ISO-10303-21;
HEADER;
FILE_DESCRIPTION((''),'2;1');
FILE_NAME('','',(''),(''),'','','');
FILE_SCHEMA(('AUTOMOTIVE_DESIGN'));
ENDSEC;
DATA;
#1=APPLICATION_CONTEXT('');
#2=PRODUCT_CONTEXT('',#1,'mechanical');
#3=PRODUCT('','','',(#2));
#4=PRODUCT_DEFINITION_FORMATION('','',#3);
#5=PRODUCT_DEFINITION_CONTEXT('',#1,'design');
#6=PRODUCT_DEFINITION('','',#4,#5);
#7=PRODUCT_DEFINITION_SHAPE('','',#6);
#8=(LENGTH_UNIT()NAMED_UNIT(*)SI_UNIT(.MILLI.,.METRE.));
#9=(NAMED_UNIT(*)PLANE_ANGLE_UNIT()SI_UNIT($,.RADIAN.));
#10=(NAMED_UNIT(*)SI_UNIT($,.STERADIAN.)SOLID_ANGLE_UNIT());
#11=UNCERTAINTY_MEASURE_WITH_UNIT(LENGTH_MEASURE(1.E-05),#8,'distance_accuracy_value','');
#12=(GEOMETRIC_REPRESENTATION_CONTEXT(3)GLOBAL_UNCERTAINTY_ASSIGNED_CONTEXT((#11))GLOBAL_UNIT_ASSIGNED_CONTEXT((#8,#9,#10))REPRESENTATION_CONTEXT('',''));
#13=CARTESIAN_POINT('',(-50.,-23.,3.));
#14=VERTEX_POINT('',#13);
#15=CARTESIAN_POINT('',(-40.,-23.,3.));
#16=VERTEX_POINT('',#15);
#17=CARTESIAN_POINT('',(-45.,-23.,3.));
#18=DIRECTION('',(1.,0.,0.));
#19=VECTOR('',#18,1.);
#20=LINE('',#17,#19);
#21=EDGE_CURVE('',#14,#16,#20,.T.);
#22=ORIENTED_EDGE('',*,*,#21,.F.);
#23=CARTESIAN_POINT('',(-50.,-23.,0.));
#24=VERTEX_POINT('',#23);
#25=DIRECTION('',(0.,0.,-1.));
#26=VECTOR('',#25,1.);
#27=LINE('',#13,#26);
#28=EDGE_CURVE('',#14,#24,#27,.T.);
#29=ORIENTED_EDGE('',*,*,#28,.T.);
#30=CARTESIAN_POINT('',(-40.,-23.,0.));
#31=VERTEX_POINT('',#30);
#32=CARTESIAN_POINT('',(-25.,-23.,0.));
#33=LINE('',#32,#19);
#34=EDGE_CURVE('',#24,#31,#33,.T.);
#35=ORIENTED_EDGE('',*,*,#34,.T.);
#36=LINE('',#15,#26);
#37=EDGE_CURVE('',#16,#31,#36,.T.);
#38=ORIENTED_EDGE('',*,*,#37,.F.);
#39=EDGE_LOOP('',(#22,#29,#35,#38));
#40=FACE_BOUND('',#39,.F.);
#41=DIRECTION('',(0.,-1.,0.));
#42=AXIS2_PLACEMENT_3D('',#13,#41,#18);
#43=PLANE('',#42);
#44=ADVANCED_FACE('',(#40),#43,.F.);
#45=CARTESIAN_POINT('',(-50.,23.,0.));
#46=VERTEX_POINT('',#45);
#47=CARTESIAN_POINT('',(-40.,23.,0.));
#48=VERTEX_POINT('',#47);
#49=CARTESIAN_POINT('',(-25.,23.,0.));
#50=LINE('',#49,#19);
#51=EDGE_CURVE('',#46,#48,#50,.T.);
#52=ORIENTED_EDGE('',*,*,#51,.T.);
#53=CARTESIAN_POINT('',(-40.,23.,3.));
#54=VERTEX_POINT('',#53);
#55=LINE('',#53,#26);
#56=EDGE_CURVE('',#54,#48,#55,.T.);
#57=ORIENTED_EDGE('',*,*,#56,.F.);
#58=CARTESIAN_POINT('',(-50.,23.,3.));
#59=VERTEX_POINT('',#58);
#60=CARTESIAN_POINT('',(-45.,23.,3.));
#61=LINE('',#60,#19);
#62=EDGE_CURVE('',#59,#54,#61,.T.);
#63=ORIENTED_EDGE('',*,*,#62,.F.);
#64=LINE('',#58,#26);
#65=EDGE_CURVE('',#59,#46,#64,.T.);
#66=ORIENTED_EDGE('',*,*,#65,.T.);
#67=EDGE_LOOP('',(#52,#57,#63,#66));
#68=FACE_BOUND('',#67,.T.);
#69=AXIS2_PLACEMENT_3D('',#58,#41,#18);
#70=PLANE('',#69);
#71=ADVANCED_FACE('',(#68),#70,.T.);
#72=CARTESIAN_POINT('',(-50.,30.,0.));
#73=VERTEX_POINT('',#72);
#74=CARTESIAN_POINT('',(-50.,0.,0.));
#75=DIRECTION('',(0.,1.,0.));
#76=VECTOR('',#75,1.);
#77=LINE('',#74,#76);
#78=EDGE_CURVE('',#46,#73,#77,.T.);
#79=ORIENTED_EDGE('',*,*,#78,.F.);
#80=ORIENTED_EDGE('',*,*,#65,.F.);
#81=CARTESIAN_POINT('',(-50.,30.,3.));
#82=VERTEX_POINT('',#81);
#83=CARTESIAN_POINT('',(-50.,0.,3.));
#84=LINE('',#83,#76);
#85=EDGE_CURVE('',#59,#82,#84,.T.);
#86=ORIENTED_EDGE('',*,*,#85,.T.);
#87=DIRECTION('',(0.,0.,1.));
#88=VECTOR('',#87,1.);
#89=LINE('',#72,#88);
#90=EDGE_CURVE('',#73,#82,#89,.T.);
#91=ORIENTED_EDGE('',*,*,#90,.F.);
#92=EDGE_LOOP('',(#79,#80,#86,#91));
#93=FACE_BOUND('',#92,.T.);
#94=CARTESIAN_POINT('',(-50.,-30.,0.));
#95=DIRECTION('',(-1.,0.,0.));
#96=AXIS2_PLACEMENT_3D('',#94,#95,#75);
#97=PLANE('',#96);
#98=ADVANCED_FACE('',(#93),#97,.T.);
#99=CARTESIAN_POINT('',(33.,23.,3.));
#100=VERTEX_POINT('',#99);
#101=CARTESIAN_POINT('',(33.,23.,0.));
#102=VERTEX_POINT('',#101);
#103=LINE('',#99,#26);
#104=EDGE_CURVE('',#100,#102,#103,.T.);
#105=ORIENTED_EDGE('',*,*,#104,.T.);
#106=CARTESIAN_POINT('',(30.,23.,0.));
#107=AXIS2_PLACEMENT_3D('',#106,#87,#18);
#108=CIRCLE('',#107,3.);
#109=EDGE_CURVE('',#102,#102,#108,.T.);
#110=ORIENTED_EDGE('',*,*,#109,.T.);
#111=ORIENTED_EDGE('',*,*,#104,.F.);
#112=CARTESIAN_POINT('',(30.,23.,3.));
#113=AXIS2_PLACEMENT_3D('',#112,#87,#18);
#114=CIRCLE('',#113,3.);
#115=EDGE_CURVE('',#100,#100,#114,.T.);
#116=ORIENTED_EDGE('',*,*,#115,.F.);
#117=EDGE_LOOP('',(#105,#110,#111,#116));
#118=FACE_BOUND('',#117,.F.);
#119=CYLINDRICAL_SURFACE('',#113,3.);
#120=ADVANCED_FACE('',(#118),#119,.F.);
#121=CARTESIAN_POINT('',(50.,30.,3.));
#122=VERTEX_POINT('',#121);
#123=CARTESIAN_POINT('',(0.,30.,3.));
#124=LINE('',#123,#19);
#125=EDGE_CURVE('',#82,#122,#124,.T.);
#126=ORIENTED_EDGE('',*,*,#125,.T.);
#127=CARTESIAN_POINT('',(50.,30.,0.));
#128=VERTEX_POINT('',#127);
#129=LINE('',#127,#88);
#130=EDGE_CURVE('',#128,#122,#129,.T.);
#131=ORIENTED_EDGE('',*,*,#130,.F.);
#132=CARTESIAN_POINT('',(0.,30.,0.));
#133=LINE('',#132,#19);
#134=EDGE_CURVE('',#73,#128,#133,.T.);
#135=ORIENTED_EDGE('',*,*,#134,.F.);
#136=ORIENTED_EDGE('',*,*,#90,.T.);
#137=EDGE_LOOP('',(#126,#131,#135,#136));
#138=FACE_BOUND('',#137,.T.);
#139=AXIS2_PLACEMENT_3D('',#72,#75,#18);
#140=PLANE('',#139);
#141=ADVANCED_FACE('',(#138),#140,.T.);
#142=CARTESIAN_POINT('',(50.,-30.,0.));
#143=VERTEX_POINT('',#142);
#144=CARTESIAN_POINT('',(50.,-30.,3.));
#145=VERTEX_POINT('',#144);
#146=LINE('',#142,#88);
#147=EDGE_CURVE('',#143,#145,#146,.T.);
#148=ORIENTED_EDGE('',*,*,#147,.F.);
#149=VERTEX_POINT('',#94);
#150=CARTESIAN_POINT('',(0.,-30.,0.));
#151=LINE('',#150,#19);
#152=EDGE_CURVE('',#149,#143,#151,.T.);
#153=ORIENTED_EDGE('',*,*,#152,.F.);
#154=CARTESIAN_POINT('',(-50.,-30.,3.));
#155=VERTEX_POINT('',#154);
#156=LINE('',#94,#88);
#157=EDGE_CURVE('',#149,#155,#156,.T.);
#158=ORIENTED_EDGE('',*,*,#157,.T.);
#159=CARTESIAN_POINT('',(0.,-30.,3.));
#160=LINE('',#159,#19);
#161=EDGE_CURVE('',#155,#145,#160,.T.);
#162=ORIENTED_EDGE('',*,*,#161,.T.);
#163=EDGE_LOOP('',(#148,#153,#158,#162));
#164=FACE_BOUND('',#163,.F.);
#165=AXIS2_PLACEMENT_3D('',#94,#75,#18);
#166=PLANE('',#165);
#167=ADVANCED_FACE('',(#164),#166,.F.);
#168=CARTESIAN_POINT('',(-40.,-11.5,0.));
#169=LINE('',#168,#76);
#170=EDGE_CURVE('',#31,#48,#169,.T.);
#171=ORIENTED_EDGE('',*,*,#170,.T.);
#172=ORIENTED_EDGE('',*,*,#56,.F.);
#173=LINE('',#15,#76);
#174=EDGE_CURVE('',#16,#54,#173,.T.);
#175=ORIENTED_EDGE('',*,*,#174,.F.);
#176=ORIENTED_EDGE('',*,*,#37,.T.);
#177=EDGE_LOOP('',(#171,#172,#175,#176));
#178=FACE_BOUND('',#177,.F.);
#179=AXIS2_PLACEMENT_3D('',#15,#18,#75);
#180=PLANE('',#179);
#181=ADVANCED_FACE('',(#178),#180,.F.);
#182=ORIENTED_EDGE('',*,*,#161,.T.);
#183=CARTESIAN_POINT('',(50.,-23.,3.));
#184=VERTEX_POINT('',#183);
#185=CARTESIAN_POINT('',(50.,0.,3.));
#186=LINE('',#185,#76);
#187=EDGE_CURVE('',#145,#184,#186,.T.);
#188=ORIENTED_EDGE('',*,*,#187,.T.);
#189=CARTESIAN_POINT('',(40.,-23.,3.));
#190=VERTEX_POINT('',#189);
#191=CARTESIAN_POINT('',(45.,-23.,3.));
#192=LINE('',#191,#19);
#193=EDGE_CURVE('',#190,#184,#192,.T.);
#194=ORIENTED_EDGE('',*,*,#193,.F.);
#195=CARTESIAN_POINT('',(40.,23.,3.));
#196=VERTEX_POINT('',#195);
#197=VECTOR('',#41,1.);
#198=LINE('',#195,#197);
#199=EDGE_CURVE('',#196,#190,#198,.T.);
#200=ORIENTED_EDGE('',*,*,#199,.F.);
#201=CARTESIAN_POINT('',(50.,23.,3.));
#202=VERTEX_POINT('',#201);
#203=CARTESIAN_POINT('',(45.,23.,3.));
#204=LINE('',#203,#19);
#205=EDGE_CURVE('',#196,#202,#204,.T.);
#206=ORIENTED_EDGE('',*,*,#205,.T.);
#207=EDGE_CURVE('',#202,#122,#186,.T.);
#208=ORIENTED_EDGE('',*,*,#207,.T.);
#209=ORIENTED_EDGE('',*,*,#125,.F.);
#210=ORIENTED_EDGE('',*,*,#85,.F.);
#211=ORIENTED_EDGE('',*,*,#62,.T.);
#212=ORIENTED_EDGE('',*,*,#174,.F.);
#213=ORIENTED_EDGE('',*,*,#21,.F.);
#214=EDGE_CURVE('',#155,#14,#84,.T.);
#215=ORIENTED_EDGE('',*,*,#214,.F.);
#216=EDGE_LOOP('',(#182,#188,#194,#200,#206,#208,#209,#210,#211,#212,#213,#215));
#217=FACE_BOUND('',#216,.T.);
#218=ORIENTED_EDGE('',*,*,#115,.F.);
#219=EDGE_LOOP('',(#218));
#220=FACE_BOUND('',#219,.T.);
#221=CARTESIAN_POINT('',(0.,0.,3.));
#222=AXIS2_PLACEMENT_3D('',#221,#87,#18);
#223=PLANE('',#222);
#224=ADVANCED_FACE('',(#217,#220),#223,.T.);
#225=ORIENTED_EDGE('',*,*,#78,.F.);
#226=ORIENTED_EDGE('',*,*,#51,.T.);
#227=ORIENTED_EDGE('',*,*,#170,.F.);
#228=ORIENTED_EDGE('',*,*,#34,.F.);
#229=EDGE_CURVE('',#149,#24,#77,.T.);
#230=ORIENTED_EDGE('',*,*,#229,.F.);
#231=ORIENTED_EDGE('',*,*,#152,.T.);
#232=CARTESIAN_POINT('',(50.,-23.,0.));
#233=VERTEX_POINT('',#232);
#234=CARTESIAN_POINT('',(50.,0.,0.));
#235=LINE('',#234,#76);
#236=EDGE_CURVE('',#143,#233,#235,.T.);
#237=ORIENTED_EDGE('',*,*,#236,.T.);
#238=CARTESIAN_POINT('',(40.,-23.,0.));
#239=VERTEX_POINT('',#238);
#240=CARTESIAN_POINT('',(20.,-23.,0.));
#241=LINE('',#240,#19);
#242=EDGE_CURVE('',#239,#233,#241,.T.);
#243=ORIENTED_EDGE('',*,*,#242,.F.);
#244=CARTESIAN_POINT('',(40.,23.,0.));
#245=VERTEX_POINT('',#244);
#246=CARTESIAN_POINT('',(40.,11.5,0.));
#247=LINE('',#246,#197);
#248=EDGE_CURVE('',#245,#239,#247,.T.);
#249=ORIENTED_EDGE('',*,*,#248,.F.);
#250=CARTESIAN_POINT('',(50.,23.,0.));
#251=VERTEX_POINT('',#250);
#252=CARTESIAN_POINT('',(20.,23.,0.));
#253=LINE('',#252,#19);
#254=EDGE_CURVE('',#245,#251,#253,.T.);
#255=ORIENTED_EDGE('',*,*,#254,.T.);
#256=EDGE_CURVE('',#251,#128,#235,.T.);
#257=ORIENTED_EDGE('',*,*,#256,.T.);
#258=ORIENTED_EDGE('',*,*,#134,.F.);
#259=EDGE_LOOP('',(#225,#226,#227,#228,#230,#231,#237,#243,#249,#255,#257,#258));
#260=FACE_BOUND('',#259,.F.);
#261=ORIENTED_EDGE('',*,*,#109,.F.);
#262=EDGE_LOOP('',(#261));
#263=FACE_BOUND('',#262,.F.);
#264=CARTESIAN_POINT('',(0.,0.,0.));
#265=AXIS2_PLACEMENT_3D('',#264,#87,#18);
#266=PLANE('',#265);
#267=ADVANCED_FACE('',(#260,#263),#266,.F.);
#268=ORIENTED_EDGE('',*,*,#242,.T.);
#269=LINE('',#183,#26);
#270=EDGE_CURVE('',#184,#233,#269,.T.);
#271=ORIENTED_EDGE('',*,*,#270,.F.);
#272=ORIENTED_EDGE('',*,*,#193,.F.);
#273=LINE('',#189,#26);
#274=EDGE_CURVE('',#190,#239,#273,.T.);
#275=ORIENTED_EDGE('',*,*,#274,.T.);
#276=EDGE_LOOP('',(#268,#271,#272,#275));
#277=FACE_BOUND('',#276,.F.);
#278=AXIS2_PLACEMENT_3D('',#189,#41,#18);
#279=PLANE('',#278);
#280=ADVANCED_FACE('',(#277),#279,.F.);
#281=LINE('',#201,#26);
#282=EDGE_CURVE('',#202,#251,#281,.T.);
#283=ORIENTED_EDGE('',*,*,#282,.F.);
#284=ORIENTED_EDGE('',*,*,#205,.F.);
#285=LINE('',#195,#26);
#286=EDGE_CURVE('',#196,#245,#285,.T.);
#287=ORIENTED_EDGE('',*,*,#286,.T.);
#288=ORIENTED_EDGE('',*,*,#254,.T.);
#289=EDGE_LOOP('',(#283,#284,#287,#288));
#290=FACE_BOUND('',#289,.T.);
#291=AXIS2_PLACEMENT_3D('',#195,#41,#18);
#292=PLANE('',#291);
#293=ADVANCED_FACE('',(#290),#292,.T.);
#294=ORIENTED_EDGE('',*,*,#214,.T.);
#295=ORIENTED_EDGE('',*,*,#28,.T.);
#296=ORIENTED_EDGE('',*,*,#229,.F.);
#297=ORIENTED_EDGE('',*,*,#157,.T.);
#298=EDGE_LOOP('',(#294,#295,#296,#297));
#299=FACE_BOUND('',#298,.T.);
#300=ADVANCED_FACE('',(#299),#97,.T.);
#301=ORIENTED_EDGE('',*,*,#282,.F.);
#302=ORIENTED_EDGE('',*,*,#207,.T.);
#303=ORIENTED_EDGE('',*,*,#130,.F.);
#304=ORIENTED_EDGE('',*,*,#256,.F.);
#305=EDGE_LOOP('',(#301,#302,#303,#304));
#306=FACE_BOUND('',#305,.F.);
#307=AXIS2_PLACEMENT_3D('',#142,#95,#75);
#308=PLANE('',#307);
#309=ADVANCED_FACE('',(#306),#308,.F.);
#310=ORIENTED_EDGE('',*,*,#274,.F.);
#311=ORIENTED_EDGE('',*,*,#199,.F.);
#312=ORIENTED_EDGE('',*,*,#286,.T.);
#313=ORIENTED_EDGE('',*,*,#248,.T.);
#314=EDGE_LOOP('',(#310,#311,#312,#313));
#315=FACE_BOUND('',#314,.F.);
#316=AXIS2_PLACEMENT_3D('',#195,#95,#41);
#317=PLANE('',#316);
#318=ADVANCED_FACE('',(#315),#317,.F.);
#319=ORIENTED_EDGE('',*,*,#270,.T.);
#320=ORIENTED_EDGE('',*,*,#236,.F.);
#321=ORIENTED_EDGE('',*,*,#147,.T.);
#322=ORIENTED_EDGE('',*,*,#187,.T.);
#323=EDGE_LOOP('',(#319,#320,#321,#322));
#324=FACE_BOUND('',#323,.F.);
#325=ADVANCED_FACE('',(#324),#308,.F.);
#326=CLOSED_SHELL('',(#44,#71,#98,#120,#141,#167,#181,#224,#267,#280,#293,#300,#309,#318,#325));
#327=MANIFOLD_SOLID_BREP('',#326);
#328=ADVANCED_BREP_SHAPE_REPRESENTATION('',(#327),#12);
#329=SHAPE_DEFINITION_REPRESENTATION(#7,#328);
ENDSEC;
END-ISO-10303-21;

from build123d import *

# Parameters (mm, degrees)
F0_W     = 100
F0_H     = 60
F1_DEPTH = 3
F2_W     = 10
F2_H     = 23
F3_DEPTH = 3.001
F4_R     = 3
F5_DEPTH = 3.001


with BuildPart() as f1:
    # F0 (on Top) → F1 (new body)
    with BuildSketch(Plane.XY):
        Rectangle(F0_W, F0_H)
    extrude(amount=F1_DEPTH)

    # F2 (on face) → F3 (cut, through all)
    with BuildSketch(Plane.XY.offset(3)):
        with Locations((-45, 11.5)):
            Rectangle(F2_W, F2_H)
        with Locations((-45, -11.5)):
            Rectangle(F2_W, F2_H)
        with Locations((45, 11.5)):
            Rectangle(F2_W, F2_H)
        with Locations((45, -11.5)):
            Rectangle(F2_W, F2_H)
    extrude(amount=-F3_DEPTH, mode=Mode.SUBTRACT)

    # F4 (on face) → F5 (cut, through all)
    with BuildSketch(Plane.XY.offset(3)):
        with Locations((30, 23)):
            Circle(F4_R)
    extrude(amount=-F5_DEPTH, mode=Mode.SUBTRACT)


solid = f1.part
